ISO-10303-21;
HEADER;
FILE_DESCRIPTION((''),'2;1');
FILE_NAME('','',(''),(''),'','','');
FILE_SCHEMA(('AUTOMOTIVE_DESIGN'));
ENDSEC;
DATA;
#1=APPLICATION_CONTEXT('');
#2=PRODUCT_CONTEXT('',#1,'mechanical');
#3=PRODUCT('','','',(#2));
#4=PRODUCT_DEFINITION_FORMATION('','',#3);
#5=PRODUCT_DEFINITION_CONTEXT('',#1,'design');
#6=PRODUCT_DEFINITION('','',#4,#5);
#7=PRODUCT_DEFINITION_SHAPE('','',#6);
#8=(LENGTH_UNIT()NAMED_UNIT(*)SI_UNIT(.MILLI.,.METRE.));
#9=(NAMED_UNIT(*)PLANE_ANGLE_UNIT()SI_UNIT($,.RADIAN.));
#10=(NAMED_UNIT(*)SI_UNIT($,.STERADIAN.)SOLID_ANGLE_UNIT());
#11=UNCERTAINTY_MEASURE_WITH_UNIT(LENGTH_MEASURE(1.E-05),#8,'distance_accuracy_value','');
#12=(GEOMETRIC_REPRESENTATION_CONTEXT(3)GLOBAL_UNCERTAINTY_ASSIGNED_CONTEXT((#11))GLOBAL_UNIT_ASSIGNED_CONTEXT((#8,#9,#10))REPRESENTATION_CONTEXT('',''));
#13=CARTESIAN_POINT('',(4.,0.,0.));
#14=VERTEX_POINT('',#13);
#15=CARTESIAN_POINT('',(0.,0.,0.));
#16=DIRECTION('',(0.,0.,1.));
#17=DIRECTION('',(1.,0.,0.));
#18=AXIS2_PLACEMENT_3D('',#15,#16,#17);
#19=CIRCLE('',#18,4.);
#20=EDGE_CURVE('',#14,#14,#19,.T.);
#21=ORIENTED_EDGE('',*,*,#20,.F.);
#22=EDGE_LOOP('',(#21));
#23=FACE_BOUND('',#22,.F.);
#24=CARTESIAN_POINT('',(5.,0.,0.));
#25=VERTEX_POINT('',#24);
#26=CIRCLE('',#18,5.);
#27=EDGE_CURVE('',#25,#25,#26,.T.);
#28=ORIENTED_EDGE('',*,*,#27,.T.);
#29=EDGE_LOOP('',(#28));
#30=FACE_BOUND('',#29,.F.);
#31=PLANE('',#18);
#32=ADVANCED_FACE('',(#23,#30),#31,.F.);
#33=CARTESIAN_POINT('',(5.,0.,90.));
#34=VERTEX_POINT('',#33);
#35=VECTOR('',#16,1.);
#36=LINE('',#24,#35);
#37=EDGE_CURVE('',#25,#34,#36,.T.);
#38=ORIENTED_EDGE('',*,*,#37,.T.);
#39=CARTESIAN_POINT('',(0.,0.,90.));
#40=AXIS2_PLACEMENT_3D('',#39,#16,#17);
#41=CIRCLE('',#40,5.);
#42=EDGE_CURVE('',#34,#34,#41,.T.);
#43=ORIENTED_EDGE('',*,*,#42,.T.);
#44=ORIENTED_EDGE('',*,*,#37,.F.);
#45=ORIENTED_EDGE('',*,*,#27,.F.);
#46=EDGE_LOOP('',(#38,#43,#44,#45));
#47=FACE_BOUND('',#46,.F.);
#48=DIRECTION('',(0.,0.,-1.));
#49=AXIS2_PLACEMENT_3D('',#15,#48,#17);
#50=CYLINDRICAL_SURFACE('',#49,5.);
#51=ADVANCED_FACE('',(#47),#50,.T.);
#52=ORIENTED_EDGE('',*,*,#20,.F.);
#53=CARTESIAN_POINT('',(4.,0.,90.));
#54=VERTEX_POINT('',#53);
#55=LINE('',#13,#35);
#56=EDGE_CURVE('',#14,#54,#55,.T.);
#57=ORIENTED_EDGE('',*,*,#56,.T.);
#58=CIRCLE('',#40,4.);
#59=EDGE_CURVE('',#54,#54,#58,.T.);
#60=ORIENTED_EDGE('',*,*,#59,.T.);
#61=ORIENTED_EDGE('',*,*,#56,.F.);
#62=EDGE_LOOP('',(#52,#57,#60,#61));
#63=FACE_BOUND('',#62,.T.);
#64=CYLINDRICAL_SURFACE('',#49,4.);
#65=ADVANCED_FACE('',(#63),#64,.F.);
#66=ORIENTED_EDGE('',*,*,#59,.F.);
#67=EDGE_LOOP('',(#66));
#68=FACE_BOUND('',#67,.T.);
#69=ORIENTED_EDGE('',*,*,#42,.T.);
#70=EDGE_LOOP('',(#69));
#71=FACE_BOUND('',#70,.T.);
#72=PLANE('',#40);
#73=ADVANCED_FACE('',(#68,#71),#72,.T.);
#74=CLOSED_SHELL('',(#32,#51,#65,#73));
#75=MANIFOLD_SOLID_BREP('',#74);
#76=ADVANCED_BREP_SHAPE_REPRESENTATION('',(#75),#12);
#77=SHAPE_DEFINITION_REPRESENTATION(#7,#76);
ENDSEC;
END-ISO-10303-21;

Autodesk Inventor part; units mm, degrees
ref_plane "YZ Plane" through (0, 0, 0) normal (1, 0, 0) x (0, 1, 0)
ref_plane "XZ Plane" through (0, 0, 0) normal (0, 1, 0) x (-1, 0, 0)
ref_plane "XY Plane" through (0, 0, 0) normal (0, 0, 1) x (1, 0, 0)
sketch "Эскиз1" plane through (0, 0, 0) normal (0, 0, 1) x (1, 0, 0)
  circle A0 centre (0, 0) radius 4
  circle A1 centre (0, 0) radius 5
  dimension "d0" = 8
  dimension "d1" = 10
extrude "Выдавливание1" add sketch "Эскиз1" along normal blind 90
properties part number "Вал катушки"
